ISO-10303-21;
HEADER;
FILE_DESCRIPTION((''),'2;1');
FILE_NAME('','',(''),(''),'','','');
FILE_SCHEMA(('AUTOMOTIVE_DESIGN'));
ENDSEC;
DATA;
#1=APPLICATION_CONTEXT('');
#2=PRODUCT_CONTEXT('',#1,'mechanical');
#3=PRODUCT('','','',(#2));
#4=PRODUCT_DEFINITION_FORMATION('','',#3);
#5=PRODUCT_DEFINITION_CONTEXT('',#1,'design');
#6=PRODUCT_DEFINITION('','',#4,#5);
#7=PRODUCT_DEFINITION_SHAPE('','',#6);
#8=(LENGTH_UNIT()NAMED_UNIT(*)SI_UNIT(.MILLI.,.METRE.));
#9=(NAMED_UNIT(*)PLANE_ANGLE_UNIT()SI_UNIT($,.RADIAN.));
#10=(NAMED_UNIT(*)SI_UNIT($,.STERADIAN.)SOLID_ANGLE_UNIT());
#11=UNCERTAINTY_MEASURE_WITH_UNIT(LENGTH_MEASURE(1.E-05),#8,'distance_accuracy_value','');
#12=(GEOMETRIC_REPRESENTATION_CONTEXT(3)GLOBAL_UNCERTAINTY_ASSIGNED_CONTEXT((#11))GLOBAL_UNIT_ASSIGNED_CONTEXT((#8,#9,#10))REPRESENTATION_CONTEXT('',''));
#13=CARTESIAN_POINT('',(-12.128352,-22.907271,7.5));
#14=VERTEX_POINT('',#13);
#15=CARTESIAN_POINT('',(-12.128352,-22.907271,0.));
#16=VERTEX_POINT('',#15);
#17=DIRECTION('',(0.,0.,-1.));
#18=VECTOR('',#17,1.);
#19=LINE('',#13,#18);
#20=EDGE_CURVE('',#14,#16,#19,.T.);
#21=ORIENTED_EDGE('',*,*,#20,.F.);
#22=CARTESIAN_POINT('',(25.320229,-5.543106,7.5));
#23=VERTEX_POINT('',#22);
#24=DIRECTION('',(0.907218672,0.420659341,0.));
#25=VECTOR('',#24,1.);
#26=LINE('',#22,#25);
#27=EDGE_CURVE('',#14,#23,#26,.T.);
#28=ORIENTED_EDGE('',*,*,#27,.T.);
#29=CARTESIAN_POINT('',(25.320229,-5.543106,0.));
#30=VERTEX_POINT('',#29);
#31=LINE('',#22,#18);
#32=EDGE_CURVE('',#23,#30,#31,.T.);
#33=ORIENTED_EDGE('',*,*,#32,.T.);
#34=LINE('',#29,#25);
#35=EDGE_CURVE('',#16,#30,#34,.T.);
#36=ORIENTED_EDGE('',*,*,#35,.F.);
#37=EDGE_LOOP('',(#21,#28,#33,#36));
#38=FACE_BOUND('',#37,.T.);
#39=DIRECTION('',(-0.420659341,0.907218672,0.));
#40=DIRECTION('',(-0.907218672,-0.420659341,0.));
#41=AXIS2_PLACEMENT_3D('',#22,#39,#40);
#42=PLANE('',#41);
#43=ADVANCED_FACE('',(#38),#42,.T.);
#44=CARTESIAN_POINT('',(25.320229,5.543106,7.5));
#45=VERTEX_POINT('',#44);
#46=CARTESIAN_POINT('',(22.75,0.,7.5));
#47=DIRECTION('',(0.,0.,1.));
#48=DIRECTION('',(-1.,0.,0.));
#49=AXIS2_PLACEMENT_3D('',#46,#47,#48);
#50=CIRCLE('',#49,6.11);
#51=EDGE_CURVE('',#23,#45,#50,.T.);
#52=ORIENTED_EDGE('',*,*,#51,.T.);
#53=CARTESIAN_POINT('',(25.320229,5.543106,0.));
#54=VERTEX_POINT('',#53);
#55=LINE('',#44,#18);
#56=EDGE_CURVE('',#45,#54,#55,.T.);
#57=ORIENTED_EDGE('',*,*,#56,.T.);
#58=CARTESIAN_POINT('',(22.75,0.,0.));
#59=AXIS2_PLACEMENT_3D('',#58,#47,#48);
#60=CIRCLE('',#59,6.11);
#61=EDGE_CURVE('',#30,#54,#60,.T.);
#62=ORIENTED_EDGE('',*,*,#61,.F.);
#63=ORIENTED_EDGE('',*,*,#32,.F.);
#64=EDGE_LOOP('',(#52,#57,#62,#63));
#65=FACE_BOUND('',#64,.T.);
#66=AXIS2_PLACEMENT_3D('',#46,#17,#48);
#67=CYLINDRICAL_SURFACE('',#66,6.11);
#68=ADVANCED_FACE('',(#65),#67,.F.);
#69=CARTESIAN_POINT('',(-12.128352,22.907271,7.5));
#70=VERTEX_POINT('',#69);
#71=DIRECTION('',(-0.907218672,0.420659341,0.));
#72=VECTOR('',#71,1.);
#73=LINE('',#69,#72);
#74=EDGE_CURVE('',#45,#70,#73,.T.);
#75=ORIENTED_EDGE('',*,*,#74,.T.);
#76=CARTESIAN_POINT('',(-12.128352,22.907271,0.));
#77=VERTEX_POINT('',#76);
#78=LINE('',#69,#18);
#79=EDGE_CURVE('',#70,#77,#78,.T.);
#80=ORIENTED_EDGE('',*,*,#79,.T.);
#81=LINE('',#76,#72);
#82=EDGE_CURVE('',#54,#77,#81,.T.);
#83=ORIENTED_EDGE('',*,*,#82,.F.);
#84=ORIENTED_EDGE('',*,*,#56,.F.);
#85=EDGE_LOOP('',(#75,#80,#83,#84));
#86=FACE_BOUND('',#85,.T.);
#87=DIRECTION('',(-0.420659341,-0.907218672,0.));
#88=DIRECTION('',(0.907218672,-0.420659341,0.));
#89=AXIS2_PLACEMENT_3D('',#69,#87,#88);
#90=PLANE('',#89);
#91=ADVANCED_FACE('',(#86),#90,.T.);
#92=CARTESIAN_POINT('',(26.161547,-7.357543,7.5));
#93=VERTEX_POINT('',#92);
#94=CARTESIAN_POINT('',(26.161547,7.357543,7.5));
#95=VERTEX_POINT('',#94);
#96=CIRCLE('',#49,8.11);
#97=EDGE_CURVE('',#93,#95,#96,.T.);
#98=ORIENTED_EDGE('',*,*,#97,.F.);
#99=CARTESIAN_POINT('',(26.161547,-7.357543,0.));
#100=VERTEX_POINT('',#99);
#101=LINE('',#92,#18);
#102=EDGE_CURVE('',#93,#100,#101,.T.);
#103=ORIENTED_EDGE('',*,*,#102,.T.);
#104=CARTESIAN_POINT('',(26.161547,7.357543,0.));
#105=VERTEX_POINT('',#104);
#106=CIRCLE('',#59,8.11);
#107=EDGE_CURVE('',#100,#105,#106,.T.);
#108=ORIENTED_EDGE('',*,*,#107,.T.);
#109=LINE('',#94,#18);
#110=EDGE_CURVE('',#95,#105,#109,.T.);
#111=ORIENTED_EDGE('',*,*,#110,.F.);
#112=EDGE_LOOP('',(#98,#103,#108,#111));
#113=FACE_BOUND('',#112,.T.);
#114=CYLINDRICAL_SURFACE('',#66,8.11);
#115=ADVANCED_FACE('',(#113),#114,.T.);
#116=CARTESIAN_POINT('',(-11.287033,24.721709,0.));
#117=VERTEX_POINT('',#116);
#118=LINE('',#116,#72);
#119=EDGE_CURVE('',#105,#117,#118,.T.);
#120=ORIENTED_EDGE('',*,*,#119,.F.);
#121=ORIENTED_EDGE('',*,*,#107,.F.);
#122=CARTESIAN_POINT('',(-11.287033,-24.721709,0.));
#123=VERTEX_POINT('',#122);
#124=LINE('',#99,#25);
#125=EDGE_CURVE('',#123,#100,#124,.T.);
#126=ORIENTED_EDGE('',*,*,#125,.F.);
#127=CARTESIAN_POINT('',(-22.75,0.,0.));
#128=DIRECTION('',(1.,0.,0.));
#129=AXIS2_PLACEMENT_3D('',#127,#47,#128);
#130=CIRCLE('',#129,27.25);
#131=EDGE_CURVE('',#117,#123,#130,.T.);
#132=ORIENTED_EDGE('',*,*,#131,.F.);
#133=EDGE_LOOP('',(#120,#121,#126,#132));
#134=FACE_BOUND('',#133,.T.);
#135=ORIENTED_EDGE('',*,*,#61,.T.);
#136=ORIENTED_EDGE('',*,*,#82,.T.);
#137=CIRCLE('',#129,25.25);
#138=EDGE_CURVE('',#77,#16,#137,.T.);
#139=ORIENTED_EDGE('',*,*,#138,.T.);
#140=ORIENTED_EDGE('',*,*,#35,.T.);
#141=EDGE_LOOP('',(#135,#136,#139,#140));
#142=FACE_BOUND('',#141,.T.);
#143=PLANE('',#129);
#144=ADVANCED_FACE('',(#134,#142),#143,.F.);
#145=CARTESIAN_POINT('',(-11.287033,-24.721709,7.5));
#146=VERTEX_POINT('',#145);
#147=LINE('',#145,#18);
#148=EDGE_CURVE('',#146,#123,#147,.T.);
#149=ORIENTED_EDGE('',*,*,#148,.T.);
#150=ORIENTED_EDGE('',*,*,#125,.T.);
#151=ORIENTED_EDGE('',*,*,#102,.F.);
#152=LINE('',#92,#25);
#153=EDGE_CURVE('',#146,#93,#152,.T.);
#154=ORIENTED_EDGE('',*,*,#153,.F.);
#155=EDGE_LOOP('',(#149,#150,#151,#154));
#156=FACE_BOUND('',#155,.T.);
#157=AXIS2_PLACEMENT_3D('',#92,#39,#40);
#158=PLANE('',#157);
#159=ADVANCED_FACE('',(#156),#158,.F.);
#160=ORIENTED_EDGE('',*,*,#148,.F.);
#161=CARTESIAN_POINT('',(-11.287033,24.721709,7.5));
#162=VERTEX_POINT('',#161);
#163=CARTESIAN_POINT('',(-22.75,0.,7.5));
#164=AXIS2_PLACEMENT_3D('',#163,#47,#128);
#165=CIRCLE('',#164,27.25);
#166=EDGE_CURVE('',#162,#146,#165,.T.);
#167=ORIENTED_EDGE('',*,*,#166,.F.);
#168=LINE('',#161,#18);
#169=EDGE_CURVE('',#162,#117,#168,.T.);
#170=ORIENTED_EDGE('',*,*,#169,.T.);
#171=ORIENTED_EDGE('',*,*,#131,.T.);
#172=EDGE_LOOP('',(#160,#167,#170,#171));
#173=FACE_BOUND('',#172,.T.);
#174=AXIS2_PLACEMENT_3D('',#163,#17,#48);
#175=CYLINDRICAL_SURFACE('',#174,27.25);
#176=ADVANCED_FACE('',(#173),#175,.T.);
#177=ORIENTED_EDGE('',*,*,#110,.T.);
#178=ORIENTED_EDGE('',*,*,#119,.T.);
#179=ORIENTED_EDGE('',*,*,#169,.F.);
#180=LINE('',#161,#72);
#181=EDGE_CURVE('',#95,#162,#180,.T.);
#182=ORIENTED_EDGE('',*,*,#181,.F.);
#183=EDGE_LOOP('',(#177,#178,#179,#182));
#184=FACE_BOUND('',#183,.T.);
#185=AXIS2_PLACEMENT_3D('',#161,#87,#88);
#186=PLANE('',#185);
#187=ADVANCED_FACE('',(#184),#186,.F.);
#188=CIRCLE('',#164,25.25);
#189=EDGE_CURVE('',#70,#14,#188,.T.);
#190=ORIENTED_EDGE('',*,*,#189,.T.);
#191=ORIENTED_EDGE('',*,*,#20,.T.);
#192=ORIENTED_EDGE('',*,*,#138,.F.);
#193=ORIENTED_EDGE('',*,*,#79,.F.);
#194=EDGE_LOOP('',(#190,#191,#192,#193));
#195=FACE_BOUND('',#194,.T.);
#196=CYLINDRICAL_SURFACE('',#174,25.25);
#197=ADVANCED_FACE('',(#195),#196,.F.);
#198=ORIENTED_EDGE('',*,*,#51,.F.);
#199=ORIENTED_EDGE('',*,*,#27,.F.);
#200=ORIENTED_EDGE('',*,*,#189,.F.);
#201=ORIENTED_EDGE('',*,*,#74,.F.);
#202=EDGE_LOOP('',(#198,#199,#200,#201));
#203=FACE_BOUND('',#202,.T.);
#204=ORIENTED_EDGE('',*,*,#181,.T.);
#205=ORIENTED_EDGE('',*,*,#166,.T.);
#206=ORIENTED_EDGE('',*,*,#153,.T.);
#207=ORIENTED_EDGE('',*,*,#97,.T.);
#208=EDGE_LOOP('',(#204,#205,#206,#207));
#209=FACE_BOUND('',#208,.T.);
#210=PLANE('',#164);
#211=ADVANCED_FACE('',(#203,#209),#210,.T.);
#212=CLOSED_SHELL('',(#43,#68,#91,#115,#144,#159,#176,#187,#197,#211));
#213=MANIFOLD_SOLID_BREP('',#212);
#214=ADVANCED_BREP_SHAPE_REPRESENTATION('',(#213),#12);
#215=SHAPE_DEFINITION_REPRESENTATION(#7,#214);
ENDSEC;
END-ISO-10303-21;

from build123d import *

# Parameters (mm, degrees)
BOSS_EXTRUDE1_DEPTH = 7.5


with BuildPart() as part:
    # Sketch1 → Boss-Extrude1 (new body)
    with BuildSketch(Plane.XY):
        with BuildLine():
            Line((-11.287032967, 24.721708816), (26.161547253, 7.357543431))
            ThreePointArc((26.161547253, 7.357543431), (30.86, 0), (26.161547253, -7.357543431))
            Line((26.161547253, -7.357543431), (-11.287032967, -24.721708816))
            ThreePointArc((-11.287032967, -24.721708816), (-50, 0), (-11.287032967, 24.721708816))
        make_face()
        with BuildLine():
            Line((-12.128351648, 22.907271472), (25.320228571, 5.543106087))
            ThreePointArc((25.320228571, 5.543106087), (28.86, 0), (25.320228571, -5.543106087))
            Line((25.320228571, -5.543106087), (-12.128351648, -22.907271472))
            ThreePointArc((-12.128351648, -22.907271472), (-48, 0), (-12.128351648, 22.907271472))
        make_face(mode=Mode.SUBTRACT)
    extrude(amount=BOSS_EXTRUDE1_DEPTH)


solid = part.part
